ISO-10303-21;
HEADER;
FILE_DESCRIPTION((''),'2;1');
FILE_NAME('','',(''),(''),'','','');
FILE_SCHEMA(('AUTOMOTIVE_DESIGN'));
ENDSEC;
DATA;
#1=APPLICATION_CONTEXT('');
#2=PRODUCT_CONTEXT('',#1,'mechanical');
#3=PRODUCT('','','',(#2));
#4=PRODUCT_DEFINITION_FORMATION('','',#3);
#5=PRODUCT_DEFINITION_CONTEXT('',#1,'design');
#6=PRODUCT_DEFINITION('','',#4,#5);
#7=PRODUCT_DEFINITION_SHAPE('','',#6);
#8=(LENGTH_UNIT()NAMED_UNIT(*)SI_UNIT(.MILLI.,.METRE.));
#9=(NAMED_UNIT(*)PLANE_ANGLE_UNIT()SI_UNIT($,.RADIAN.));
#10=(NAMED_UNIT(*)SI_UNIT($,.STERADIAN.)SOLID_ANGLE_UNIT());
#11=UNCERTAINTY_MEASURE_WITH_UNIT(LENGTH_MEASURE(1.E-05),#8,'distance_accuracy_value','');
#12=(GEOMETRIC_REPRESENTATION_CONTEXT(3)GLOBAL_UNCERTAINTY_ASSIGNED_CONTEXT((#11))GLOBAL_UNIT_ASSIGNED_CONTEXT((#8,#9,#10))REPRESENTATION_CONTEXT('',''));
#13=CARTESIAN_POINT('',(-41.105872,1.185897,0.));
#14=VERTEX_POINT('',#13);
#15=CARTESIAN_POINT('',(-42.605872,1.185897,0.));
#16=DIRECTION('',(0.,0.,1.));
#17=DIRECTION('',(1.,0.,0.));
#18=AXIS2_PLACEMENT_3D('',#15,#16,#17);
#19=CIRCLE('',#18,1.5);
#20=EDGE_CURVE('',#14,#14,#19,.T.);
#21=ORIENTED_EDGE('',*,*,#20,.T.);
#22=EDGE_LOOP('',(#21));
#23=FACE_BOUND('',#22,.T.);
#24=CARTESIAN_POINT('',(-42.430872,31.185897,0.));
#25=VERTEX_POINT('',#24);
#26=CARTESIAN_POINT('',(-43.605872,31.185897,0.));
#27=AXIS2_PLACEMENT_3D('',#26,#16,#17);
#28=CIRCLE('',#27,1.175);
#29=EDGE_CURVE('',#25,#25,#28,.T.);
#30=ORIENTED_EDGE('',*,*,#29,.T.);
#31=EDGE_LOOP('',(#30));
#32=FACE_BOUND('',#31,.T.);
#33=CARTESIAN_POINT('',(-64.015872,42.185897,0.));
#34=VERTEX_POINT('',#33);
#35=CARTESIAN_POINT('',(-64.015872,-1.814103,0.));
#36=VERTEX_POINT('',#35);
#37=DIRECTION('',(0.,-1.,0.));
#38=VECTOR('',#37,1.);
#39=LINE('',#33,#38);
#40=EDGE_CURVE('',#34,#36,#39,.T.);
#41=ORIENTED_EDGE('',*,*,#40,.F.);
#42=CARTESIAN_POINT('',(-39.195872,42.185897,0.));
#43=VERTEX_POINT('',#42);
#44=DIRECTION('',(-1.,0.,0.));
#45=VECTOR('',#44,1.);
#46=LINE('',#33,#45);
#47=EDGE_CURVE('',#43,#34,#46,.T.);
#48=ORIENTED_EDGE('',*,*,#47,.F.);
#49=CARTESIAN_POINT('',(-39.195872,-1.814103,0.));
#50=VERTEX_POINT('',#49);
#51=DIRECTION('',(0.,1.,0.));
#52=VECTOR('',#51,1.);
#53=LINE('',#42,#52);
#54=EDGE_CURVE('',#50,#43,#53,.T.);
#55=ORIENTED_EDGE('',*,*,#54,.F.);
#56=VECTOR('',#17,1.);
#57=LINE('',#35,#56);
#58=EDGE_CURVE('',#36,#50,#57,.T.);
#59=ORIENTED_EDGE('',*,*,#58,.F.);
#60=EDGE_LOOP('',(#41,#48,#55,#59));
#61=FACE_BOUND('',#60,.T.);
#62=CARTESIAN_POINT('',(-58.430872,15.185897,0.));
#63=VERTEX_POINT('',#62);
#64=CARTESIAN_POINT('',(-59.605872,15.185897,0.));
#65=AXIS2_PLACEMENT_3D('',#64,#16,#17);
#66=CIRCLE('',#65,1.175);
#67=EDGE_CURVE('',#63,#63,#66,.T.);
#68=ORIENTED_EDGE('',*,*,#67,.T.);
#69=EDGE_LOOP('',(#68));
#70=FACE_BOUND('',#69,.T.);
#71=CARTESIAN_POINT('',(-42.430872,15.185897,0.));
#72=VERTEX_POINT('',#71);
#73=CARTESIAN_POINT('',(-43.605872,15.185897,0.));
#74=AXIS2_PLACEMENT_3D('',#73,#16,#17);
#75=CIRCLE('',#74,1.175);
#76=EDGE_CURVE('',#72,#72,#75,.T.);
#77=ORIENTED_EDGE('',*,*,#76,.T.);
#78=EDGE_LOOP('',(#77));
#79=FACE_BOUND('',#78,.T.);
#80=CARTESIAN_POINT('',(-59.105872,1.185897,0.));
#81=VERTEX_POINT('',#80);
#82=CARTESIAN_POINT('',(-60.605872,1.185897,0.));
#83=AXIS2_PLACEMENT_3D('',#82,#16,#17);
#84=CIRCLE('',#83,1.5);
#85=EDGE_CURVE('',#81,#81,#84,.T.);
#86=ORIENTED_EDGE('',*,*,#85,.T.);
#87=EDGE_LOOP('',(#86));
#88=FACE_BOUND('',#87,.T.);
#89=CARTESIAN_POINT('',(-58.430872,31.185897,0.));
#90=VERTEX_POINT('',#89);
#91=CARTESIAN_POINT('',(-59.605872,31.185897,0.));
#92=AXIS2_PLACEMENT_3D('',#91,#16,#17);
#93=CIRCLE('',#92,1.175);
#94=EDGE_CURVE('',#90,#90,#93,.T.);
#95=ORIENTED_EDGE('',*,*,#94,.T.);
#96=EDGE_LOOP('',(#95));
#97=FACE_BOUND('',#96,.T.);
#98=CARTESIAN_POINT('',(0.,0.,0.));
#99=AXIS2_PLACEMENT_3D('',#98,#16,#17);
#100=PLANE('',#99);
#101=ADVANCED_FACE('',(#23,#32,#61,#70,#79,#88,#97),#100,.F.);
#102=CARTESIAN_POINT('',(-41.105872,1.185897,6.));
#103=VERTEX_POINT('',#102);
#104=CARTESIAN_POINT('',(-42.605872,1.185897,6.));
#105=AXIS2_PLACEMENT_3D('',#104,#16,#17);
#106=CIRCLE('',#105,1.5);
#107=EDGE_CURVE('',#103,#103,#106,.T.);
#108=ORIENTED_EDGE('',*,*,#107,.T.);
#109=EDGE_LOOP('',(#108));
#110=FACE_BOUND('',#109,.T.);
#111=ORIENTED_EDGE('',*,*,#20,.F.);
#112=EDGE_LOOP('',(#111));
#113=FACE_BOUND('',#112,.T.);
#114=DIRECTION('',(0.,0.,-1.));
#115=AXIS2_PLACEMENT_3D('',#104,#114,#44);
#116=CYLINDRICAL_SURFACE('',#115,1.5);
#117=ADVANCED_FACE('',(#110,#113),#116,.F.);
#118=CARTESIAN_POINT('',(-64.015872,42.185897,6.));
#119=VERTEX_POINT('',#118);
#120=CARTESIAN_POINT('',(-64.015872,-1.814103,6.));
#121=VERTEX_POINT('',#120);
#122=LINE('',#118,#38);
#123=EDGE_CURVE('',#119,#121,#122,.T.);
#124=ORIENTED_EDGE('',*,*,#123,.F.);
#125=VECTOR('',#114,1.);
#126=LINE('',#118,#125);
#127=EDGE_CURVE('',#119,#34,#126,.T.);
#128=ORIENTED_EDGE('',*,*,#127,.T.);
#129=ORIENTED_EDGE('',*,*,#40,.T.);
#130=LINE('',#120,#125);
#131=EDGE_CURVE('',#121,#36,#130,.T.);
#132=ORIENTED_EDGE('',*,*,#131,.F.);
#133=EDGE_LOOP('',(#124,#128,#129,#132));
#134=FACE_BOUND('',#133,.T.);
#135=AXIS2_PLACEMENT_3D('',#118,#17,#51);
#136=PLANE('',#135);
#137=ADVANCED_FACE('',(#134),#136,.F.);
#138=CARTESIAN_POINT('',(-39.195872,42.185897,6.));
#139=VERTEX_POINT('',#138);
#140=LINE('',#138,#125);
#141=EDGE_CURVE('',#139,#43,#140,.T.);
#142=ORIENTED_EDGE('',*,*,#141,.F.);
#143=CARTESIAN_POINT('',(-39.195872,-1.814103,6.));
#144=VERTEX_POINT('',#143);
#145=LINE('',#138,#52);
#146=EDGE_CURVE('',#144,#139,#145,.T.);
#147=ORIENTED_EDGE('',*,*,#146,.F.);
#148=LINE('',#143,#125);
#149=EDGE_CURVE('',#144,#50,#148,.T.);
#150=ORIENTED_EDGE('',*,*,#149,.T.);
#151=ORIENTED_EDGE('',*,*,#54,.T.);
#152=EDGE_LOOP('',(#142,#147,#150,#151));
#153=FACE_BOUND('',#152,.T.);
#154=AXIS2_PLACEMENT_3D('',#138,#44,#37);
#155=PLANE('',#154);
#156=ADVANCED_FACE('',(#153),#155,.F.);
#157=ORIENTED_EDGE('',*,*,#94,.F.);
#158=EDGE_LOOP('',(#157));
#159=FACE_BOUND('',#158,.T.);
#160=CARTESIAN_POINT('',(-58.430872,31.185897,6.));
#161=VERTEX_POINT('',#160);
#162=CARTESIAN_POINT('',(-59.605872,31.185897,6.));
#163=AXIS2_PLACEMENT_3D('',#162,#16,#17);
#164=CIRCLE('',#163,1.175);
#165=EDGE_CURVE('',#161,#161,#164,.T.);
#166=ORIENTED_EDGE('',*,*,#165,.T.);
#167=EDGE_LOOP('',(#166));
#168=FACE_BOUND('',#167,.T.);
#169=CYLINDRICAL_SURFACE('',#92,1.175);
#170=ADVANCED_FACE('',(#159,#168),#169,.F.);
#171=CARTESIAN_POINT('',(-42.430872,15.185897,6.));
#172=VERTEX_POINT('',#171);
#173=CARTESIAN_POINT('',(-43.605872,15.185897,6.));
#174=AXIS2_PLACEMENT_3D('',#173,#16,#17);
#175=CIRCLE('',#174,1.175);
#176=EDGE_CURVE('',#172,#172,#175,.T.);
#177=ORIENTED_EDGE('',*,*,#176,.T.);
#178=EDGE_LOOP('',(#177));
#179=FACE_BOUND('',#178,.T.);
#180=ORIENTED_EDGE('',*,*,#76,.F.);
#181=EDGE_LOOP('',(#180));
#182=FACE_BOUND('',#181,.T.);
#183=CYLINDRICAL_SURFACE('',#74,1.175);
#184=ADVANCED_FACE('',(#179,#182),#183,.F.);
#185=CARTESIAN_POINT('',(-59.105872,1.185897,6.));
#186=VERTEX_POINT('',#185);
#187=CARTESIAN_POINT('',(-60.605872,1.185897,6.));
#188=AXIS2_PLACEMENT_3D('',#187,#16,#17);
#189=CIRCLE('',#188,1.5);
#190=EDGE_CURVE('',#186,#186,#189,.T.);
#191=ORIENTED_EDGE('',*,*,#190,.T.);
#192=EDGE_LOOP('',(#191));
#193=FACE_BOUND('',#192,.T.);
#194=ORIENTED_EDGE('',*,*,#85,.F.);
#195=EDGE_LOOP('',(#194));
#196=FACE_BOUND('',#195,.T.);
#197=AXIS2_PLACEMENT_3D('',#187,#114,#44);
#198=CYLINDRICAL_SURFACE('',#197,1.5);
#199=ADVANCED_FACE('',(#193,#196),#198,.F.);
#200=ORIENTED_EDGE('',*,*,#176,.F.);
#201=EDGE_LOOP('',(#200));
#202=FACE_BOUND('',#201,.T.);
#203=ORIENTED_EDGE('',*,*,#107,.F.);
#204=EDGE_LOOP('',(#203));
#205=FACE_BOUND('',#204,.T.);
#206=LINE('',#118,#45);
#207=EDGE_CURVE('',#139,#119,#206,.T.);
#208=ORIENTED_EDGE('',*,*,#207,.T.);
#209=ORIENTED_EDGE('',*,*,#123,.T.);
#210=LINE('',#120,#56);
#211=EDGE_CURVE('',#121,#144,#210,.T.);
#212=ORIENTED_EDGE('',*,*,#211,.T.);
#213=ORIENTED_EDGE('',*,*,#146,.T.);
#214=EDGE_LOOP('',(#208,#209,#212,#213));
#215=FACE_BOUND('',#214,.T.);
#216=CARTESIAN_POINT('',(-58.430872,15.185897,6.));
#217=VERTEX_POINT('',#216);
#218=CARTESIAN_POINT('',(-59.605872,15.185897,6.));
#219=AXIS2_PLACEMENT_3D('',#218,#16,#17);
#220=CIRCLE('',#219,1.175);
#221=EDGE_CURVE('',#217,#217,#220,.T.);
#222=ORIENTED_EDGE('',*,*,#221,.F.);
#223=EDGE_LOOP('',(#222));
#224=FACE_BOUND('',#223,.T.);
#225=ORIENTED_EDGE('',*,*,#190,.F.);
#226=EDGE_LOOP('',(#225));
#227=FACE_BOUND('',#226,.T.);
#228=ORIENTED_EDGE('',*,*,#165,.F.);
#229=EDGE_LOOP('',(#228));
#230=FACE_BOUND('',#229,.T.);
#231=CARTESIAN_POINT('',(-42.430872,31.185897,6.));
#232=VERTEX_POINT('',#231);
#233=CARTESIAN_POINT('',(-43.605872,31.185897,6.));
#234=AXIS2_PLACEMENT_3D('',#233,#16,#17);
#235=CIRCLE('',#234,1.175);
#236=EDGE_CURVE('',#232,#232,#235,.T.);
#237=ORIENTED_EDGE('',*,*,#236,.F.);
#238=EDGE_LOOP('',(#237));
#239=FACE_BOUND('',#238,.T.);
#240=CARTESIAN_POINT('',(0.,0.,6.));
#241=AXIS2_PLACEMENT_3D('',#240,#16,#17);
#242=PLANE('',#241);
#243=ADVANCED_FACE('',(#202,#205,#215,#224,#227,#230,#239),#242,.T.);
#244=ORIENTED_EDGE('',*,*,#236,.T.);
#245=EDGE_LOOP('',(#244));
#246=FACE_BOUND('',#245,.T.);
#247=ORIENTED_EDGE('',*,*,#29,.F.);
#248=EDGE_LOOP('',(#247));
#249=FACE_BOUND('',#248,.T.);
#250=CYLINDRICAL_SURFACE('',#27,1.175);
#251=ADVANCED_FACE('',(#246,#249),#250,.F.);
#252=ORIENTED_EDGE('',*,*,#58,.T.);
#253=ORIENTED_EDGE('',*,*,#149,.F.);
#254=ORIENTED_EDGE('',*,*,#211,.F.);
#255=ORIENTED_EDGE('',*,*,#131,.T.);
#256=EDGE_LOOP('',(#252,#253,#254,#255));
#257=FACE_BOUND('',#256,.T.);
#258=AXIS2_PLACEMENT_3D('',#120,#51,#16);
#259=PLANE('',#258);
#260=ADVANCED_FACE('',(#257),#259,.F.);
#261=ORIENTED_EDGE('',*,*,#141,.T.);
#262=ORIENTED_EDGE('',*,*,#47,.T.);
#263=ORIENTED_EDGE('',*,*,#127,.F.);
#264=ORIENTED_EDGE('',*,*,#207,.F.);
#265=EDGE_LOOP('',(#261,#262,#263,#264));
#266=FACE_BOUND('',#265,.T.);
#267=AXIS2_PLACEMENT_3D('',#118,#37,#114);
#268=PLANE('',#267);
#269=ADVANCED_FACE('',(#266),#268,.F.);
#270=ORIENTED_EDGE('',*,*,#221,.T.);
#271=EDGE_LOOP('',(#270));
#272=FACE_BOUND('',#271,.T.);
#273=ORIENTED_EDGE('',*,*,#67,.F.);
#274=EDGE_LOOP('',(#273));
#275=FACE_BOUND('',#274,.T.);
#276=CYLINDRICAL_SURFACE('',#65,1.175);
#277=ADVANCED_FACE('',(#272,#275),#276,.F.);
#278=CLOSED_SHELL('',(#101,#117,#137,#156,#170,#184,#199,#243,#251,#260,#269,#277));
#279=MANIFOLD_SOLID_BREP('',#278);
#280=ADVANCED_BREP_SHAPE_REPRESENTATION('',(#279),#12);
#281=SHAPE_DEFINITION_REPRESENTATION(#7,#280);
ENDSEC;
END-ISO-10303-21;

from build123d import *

# Parameters (mm, degrees)
ESQUISSE1_W             = 24.82
ESQUISSE1_H             = 44
ESQUISSE1_R             = 1.5
BOSS_EXTRU_1_DEPTH      = 6
ESQUISSE2_R             = 1.175
ENL_V_MAT_EXTRU_1_DEPTH = 6


with BuildPart() as part:
    # Esquisse1 → Boss.-Extru.1 (new body)
    with BuildSketch(Plane.XY):
        with Locations((-51.605872064, 20.185897225)):
            Rectangle(ESQUISSE1_W, ESQUISSE1_H)
        with Locations((-60.605872064, 1.185897225)):
            Circle(ESQUISSE1_R, mode=Mode.SUBTRACT)
        with Locations((-42.605872064, 1.185897225)):
            Circle(ESQUISSE1_R, mode=Mode.SUBTRACT)
    extrude(amount=BOSS_EXTRU_1_DEPTH)

    # Esquisse2 → Enlèv. mat.-Extru.1 (cut)
    with BuildSketch(Plane.XY.offset(6)):
        with Locations((-43.605872064, 31.185897225)):
            Circle(ESQUISSE2_R)
        with Locations((-59.605872064, 31.185897225)):
            Circle(ESQUISSE2_R)
        with Locations((-59.605872064, 15.185897225)):
            Circle(ESQUISSE2_R)
        with Locations((-43.605872064, 15.185897225)):
            Circle(ESQUISSE2_R)
    extrude(amount=-ENL_V_MAT_EXTRU_1_DEPTH, mode=Mode.SUBTRACT)


solid = part.part
